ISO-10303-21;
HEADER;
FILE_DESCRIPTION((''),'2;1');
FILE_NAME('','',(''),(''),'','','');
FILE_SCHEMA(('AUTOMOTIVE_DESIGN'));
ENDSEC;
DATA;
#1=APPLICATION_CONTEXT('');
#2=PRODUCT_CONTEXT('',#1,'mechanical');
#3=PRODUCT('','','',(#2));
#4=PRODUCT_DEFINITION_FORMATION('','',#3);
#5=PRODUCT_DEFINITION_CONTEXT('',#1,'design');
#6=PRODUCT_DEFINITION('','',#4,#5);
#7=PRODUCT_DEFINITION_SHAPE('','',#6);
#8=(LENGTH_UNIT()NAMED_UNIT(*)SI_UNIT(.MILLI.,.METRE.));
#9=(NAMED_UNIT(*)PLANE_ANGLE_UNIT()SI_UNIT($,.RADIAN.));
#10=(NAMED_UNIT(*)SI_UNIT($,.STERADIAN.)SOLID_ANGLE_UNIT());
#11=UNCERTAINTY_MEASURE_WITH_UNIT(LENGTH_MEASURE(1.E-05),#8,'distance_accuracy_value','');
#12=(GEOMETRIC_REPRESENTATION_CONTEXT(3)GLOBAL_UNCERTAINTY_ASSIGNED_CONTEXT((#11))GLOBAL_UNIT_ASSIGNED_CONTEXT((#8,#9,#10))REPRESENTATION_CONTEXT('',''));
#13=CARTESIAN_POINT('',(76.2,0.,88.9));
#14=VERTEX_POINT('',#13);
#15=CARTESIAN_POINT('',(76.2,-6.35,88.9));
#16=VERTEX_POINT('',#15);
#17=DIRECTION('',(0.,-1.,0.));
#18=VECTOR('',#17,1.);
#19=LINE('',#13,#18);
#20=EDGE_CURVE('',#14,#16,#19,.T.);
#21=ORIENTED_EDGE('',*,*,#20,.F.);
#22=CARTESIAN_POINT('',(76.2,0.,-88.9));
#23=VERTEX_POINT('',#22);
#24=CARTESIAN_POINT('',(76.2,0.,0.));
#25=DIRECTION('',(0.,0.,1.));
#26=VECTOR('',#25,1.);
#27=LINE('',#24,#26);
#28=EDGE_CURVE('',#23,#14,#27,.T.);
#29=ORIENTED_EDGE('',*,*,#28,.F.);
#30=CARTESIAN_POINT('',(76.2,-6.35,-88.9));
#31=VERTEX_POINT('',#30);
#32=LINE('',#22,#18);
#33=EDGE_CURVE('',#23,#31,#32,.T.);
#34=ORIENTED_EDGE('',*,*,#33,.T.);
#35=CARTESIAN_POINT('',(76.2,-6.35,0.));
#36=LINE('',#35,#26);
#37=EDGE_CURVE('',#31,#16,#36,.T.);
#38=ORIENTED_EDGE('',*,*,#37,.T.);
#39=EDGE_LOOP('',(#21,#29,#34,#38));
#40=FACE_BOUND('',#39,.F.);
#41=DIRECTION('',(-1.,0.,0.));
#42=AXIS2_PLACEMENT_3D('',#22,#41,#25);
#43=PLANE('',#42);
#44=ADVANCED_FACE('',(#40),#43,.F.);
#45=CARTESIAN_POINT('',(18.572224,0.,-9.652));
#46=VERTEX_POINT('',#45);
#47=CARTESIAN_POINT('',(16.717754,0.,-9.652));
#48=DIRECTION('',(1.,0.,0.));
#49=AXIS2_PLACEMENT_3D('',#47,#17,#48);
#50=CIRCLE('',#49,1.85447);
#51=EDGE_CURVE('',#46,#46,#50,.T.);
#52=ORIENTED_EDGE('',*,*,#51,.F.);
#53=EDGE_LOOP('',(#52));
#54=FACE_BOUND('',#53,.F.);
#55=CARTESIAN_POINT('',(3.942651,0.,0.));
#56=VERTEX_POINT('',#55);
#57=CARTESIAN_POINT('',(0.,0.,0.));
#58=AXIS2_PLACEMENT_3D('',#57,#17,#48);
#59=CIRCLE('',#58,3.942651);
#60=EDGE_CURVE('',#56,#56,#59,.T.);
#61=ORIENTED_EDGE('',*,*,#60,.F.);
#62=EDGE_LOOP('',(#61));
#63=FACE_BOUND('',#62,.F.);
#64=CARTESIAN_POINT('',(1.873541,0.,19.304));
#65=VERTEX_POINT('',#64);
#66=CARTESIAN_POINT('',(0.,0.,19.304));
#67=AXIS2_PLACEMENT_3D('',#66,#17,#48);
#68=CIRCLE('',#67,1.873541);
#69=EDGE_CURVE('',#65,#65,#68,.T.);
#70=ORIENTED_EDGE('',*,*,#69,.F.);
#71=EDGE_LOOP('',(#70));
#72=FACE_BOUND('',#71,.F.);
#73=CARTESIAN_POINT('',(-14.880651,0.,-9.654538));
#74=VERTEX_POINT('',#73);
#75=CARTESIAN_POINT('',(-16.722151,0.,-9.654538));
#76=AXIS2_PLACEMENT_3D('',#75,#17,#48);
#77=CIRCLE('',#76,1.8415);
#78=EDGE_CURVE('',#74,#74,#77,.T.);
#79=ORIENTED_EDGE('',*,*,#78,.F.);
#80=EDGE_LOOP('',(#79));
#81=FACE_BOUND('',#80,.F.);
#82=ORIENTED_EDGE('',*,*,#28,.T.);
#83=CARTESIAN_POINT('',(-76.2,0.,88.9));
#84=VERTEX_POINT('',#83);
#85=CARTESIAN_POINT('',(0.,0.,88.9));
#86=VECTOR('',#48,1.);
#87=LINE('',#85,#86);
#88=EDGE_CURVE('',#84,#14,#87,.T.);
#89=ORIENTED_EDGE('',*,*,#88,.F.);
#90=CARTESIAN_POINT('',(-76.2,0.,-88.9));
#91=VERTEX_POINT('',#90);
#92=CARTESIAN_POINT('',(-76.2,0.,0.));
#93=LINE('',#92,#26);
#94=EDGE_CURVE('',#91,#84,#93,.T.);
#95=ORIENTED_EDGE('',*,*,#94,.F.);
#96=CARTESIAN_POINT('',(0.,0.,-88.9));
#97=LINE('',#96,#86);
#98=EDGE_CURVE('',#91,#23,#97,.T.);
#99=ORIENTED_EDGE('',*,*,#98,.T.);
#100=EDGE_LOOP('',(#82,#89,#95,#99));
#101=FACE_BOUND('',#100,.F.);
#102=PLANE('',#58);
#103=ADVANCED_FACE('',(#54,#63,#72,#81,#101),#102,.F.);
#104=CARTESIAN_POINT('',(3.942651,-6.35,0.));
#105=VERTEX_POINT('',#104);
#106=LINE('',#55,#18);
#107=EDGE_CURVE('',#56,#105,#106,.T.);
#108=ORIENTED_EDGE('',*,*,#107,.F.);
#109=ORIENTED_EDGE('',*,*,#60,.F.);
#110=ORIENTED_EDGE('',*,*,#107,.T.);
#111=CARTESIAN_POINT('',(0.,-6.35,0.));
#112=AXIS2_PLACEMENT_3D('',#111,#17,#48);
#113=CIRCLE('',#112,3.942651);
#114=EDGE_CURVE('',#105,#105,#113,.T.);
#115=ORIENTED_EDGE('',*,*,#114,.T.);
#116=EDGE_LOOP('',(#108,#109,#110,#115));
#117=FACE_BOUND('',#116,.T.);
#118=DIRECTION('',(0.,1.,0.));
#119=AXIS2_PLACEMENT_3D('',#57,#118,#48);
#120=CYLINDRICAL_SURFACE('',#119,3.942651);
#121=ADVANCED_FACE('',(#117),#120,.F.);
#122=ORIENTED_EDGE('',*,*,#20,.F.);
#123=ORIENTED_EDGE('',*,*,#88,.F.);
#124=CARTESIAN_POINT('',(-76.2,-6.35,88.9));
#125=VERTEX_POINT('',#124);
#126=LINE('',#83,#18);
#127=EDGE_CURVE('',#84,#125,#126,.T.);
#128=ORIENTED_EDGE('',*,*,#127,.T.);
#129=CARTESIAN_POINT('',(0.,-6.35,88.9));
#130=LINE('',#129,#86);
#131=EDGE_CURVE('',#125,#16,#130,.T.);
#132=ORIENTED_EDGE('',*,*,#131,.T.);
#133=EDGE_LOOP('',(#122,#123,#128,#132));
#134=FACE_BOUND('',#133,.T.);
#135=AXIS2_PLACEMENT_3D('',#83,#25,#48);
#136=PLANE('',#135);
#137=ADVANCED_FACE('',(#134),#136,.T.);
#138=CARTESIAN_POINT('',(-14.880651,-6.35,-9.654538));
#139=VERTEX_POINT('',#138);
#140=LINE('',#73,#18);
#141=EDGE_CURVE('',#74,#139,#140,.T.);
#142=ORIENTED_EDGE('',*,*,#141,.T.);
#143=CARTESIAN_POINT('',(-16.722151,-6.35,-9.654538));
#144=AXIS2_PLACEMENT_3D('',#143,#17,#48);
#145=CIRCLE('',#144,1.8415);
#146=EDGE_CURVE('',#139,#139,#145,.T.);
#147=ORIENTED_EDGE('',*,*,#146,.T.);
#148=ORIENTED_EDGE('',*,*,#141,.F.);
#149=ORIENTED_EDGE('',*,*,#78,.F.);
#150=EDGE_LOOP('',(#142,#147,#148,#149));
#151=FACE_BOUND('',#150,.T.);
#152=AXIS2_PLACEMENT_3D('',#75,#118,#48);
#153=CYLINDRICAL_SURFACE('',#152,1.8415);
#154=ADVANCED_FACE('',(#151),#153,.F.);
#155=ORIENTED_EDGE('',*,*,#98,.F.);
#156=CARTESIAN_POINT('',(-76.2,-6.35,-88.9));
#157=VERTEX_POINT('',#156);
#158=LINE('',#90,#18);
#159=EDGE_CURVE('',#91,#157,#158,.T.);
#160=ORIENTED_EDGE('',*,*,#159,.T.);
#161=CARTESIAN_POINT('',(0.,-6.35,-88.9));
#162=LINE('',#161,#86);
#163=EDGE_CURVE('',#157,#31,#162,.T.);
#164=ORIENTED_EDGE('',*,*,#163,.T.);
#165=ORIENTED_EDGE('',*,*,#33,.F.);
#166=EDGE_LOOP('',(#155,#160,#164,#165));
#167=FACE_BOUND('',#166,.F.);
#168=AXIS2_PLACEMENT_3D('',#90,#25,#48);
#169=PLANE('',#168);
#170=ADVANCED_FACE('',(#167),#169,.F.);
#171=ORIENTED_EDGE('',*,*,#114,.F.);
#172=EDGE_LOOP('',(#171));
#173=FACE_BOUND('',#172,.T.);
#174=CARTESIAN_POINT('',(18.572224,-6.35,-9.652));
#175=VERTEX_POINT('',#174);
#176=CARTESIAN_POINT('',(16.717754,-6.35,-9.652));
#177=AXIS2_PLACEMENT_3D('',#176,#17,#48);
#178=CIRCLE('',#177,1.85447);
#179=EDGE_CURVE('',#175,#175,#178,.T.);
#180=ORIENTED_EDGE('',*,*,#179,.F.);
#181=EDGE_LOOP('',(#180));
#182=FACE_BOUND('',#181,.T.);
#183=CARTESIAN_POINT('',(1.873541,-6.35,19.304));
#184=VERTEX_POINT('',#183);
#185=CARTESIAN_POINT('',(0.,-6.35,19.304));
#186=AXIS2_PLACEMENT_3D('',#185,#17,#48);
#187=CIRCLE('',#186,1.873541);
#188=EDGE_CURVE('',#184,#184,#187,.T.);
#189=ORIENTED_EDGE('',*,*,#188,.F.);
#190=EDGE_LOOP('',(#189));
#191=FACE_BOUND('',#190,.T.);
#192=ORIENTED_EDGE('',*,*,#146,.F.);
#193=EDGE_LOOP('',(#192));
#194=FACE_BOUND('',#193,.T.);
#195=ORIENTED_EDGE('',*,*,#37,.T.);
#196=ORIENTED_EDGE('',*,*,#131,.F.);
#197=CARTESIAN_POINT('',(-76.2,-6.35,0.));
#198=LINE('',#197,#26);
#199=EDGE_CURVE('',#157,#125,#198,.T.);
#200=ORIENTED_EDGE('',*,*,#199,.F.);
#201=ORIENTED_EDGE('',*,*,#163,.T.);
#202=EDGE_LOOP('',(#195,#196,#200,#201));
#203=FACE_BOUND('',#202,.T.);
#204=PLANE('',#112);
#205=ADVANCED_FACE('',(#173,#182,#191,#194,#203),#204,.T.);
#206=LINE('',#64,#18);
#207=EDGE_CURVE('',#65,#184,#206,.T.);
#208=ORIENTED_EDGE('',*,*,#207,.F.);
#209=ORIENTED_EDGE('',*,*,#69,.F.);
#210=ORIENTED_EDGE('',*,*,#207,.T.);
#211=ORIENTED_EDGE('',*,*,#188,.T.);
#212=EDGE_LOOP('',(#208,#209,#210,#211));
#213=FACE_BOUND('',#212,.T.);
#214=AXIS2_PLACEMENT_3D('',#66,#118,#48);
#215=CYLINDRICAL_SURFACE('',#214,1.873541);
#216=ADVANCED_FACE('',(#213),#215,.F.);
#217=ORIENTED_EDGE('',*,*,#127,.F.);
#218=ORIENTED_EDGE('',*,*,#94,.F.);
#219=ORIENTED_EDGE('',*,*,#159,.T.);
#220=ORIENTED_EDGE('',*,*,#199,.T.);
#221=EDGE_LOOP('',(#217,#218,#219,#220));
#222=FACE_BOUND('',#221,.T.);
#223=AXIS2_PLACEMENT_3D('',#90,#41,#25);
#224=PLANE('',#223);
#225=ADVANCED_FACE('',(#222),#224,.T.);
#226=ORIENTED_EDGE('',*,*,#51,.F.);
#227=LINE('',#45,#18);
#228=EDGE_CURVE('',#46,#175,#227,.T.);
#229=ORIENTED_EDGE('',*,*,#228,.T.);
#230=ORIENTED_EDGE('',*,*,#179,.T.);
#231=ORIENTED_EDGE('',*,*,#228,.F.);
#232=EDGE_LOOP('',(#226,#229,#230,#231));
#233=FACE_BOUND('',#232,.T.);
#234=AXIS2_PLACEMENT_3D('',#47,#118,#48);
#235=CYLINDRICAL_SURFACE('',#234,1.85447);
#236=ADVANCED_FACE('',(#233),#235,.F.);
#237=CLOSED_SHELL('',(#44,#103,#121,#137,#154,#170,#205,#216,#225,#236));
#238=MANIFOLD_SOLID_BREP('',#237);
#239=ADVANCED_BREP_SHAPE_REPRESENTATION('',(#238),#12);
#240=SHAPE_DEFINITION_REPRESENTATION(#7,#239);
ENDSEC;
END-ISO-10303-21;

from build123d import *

# Parameters (mm, degrees)
F0_W     = 152.4
F0_H     = 177.8
F0_R     = 1.8415
F0_R_2   = 1.85447
F0_R_3   = 3.942651
F0_R_4   = 1.873541
F1_DEPTH = 6.35


with BuildPart() as f1:
    # F0 (on Front) → F1 (new body)
    with BuildSketch(Plane.XZ):
        Rectangle(F0_W, F0_H)
        with Locations((-16.722151, -9.654538)):
            Circle(F0_R, mode=Mode.SUBTRACT)
        with Locations((16.717754, -9.652)):
            Circle(F0_R_2, mode=Mode.SUBTRACT)
        Circle(F0_R_3, mode=Mode.SUBTRACT)
        with Locations((0, 19.304)):
            Circle(F0_R_4, mode=Mode.SUBTRACT)
    extrude(amount=F1_DEPTH)


solid = f1.part
